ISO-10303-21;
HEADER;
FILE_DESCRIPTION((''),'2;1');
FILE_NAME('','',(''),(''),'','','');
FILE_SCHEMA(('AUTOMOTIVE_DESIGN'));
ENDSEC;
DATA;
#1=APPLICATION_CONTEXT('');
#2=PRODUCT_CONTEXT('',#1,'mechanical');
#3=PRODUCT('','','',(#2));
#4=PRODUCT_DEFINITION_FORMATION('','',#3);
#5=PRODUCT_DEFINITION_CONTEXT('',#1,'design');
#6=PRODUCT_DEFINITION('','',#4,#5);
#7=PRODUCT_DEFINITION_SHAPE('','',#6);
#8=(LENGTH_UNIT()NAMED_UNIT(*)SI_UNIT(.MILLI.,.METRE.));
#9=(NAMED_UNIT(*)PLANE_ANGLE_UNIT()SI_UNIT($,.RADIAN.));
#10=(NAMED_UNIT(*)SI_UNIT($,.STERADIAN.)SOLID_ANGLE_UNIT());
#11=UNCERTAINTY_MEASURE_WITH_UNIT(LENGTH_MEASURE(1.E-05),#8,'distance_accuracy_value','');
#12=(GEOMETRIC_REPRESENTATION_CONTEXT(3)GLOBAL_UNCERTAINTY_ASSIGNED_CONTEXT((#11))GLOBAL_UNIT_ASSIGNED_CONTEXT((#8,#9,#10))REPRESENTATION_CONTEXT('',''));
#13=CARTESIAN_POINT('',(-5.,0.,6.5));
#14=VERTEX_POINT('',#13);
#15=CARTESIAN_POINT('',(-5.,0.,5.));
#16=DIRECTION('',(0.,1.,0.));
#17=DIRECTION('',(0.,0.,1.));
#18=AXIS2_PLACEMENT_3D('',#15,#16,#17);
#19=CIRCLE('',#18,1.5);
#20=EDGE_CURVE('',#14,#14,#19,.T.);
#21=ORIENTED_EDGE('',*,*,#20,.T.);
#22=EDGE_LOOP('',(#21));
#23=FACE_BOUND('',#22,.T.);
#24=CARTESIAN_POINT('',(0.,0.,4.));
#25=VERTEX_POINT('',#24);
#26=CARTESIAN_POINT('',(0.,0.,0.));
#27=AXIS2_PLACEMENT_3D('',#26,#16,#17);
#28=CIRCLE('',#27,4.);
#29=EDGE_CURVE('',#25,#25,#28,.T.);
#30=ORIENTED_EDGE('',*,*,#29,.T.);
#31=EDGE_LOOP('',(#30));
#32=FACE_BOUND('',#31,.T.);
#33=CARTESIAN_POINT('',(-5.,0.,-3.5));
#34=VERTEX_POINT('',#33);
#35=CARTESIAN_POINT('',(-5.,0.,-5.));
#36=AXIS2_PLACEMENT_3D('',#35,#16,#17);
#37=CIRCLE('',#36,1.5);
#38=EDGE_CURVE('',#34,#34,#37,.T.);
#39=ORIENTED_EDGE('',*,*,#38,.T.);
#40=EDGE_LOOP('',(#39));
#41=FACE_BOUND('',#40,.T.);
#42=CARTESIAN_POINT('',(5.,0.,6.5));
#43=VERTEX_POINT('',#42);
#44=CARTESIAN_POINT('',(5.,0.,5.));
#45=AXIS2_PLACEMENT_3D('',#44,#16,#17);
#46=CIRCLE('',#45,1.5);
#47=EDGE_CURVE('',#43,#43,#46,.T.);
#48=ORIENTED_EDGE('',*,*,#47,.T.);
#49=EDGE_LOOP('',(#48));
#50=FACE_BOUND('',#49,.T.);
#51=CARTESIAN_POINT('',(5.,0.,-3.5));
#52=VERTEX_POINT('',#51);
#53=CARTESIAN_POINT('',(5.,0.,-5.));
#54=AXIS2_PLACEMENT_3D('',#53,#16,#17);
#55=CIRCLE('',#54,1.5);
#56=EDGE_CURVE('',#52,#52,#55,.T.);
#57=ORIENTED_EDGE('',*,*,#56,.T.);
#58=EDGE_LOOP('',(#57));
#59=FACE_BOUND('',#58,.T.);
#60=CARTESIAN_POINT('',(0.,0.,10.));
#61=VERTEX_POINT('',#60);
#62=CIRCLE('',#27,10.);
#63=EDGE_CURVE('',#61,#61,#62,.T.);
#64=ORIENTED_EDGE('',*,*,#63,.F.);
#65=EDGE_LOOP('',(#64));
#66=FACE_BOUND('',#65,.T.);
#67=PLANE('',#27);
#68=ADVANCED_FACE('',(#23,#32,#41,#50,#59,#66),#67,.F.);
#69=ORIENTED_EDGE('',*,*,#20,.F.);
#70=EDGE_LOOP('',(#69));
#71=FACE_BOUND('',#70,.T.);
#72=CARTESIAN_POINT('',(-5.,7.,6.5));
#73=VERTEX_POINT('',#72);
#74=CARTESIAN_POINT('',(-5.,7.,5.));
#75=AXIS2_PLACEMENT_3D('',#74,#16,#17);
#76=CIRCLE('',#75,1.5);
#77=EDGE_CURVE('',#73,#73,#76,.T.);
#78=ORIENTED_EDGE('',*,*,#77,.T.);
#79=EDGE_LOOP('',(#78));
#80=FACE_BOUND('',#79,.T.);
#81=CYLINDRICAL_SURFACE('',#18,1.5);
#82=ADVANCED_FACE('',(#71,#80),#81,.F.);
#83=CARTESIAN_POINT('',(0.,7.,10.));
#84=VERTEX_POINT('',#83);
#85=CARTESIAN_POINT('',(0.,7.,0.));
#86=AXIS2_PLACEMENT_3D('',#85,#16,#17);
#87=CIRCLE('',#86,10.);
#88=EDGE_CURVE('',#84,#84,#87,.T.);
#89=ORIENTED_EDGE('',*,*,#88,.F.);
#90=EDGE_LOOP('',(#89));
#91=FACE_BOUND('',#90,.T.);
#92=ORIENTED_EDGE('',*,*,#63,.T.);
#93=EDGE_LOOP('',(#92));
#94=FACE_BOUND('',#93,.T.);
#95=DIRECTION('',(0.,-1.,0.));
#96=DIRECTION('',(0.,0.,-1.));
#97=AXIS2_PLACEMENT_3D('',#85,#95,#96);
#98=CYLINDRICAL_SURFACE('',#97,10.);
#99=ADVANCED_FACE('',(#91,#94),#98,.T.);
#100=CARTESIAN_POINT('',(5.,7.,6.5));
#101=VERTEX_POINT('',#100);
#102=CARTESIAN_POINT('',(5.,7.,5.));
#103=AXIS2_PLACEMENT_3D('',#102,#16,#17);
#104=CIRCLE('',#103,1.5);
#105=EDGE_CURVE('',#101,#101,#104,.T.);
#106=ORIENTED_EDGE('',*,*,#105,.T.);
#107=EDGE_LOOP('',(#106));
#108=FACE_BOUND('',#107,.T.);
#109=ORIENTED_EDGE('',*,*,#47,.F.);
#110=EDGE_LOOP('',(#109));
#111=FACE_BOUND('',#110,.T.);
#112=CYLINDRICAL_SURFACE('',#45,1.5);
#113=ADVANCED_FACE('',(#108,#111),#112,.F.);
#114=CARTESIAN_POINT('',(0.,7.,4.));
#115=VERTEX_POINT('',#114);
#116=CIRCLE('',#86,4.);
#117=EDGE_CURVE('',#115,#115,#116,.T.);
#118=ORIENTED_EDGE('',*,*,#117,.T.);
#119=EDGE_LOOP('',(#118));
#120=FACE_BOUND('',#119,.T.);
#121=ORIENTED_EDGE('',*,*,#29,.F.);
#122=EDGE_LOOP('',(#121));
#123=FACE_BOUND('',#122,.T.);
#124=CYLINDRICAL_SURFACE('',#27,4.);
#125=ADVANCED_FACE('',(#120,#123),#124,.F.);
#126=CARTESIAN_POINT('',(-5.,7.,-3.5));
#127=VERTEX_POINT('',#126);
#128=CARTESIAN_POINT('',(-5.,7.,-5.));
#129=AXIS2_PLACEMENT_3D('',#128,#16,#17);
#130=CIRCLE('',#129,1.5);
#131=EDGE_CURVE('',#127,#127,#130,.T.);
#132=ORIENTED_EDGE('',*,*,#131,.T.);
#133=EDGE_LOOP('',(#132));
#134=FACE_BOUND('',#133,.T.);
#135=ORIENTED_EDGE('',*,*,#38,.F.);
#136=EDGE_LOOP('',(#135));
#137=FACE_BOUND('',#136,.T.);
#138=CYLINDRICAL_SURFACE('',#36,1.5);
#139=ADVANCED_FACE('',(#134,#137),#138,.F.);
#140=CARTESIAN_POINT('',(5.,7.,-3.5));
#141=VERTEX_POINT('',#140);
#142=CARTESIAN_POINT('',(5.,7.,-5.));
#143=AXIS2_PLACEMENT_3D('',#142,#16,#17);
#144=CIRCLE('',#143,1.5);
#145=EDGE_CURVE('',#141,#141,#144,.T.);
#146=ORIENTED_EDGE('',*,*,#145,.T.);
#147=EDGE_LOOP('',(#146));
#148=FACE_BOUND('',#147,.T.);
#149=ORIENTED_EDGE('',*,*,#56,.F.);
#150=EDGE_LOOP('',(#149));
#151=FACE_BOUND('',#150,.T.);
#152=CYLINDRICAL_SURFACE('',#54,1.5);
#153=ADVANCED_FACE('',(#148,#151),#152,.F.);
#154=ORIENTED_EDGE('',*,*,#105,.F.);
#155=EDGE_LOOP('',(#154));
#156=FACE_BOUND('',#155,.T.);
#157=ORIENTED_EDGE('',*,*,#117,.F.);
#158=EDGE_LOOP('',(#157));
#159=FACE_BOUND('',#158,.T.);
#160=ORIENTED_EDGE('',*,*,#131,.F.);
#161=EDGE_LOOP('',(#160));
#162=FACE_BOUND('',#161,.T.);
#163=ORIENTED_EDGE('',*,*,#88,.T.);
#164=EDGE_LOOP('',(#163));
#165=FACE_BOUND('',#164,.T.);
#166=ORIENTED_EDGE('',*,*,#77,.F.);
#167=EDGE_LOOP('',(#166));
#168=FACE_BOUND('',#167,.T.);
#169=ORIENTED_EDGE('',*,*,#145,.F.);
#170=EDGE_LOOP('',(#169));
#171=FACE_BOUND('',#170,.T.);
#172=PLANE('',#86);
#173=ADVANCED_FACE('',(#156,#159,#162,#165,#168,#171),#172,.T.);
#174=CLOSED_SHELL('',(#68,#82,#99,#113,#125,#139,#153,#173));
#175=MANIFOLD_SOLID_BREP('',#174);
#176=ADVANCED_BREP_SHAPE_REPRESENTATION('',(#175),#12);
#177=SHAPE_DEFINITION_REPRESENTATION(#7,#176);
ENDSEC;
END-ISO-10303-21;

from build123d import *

# Parameters (mm, degrees)
SKETCH_1_R          = 10
EXTRUDE_1_DEPTH     = 7
SKETCH_2_R          = 4
SKETCH_2_R_2        = 1.5
CUT_EXTRUDE_1_DEPTH = 7


with BuildPart() as part:
    # 草图1 → 凸台-拉伸1 (new body)
    with BuildSketch(Plane(origin=(0, 0, 0), x_dir=(1, 0, 0), z_dir=(0, 1, 0))):
        with Locations(Location((0, 0, 0), (0, 0, 270))):
            Circle(SKETCH_1_R)
    extrude(amount=EXTRUDE_1_DEPTH)

    # 草图2 → 切除-拉伸1 (cut)
    with BuildSketch(Plane(origin=(0, 7, 0), x_dir=(1, 0, 0), z_dir=(0, 1, 0))):
        with Locations(Location((0, 0, 0), (0, 0, 270))):
            Circle(SKETCH_2_R)
        with Locations(Location((-5, 5, 0), (0, 0, 270))):
            Circle(SKETCH_2_R_2)
        with Locations(Location((-5, -5, 0), (0, 0, 270))):
            Circle(SKETCH_2_R_2)
        with Locations(Location((5, -5, 0), (0, 0, 270))):
            Circle(SKETCH_2_R_2)
        with Locations(Location((5, 5, 0), (0, 0, 270))):
            Circle(SKETCH_2_R_2)
    extrude(amount=-CUT_EXTRUDE_1_DEPTH, mode=Mode.SUBTRACT)


solid = part.part
